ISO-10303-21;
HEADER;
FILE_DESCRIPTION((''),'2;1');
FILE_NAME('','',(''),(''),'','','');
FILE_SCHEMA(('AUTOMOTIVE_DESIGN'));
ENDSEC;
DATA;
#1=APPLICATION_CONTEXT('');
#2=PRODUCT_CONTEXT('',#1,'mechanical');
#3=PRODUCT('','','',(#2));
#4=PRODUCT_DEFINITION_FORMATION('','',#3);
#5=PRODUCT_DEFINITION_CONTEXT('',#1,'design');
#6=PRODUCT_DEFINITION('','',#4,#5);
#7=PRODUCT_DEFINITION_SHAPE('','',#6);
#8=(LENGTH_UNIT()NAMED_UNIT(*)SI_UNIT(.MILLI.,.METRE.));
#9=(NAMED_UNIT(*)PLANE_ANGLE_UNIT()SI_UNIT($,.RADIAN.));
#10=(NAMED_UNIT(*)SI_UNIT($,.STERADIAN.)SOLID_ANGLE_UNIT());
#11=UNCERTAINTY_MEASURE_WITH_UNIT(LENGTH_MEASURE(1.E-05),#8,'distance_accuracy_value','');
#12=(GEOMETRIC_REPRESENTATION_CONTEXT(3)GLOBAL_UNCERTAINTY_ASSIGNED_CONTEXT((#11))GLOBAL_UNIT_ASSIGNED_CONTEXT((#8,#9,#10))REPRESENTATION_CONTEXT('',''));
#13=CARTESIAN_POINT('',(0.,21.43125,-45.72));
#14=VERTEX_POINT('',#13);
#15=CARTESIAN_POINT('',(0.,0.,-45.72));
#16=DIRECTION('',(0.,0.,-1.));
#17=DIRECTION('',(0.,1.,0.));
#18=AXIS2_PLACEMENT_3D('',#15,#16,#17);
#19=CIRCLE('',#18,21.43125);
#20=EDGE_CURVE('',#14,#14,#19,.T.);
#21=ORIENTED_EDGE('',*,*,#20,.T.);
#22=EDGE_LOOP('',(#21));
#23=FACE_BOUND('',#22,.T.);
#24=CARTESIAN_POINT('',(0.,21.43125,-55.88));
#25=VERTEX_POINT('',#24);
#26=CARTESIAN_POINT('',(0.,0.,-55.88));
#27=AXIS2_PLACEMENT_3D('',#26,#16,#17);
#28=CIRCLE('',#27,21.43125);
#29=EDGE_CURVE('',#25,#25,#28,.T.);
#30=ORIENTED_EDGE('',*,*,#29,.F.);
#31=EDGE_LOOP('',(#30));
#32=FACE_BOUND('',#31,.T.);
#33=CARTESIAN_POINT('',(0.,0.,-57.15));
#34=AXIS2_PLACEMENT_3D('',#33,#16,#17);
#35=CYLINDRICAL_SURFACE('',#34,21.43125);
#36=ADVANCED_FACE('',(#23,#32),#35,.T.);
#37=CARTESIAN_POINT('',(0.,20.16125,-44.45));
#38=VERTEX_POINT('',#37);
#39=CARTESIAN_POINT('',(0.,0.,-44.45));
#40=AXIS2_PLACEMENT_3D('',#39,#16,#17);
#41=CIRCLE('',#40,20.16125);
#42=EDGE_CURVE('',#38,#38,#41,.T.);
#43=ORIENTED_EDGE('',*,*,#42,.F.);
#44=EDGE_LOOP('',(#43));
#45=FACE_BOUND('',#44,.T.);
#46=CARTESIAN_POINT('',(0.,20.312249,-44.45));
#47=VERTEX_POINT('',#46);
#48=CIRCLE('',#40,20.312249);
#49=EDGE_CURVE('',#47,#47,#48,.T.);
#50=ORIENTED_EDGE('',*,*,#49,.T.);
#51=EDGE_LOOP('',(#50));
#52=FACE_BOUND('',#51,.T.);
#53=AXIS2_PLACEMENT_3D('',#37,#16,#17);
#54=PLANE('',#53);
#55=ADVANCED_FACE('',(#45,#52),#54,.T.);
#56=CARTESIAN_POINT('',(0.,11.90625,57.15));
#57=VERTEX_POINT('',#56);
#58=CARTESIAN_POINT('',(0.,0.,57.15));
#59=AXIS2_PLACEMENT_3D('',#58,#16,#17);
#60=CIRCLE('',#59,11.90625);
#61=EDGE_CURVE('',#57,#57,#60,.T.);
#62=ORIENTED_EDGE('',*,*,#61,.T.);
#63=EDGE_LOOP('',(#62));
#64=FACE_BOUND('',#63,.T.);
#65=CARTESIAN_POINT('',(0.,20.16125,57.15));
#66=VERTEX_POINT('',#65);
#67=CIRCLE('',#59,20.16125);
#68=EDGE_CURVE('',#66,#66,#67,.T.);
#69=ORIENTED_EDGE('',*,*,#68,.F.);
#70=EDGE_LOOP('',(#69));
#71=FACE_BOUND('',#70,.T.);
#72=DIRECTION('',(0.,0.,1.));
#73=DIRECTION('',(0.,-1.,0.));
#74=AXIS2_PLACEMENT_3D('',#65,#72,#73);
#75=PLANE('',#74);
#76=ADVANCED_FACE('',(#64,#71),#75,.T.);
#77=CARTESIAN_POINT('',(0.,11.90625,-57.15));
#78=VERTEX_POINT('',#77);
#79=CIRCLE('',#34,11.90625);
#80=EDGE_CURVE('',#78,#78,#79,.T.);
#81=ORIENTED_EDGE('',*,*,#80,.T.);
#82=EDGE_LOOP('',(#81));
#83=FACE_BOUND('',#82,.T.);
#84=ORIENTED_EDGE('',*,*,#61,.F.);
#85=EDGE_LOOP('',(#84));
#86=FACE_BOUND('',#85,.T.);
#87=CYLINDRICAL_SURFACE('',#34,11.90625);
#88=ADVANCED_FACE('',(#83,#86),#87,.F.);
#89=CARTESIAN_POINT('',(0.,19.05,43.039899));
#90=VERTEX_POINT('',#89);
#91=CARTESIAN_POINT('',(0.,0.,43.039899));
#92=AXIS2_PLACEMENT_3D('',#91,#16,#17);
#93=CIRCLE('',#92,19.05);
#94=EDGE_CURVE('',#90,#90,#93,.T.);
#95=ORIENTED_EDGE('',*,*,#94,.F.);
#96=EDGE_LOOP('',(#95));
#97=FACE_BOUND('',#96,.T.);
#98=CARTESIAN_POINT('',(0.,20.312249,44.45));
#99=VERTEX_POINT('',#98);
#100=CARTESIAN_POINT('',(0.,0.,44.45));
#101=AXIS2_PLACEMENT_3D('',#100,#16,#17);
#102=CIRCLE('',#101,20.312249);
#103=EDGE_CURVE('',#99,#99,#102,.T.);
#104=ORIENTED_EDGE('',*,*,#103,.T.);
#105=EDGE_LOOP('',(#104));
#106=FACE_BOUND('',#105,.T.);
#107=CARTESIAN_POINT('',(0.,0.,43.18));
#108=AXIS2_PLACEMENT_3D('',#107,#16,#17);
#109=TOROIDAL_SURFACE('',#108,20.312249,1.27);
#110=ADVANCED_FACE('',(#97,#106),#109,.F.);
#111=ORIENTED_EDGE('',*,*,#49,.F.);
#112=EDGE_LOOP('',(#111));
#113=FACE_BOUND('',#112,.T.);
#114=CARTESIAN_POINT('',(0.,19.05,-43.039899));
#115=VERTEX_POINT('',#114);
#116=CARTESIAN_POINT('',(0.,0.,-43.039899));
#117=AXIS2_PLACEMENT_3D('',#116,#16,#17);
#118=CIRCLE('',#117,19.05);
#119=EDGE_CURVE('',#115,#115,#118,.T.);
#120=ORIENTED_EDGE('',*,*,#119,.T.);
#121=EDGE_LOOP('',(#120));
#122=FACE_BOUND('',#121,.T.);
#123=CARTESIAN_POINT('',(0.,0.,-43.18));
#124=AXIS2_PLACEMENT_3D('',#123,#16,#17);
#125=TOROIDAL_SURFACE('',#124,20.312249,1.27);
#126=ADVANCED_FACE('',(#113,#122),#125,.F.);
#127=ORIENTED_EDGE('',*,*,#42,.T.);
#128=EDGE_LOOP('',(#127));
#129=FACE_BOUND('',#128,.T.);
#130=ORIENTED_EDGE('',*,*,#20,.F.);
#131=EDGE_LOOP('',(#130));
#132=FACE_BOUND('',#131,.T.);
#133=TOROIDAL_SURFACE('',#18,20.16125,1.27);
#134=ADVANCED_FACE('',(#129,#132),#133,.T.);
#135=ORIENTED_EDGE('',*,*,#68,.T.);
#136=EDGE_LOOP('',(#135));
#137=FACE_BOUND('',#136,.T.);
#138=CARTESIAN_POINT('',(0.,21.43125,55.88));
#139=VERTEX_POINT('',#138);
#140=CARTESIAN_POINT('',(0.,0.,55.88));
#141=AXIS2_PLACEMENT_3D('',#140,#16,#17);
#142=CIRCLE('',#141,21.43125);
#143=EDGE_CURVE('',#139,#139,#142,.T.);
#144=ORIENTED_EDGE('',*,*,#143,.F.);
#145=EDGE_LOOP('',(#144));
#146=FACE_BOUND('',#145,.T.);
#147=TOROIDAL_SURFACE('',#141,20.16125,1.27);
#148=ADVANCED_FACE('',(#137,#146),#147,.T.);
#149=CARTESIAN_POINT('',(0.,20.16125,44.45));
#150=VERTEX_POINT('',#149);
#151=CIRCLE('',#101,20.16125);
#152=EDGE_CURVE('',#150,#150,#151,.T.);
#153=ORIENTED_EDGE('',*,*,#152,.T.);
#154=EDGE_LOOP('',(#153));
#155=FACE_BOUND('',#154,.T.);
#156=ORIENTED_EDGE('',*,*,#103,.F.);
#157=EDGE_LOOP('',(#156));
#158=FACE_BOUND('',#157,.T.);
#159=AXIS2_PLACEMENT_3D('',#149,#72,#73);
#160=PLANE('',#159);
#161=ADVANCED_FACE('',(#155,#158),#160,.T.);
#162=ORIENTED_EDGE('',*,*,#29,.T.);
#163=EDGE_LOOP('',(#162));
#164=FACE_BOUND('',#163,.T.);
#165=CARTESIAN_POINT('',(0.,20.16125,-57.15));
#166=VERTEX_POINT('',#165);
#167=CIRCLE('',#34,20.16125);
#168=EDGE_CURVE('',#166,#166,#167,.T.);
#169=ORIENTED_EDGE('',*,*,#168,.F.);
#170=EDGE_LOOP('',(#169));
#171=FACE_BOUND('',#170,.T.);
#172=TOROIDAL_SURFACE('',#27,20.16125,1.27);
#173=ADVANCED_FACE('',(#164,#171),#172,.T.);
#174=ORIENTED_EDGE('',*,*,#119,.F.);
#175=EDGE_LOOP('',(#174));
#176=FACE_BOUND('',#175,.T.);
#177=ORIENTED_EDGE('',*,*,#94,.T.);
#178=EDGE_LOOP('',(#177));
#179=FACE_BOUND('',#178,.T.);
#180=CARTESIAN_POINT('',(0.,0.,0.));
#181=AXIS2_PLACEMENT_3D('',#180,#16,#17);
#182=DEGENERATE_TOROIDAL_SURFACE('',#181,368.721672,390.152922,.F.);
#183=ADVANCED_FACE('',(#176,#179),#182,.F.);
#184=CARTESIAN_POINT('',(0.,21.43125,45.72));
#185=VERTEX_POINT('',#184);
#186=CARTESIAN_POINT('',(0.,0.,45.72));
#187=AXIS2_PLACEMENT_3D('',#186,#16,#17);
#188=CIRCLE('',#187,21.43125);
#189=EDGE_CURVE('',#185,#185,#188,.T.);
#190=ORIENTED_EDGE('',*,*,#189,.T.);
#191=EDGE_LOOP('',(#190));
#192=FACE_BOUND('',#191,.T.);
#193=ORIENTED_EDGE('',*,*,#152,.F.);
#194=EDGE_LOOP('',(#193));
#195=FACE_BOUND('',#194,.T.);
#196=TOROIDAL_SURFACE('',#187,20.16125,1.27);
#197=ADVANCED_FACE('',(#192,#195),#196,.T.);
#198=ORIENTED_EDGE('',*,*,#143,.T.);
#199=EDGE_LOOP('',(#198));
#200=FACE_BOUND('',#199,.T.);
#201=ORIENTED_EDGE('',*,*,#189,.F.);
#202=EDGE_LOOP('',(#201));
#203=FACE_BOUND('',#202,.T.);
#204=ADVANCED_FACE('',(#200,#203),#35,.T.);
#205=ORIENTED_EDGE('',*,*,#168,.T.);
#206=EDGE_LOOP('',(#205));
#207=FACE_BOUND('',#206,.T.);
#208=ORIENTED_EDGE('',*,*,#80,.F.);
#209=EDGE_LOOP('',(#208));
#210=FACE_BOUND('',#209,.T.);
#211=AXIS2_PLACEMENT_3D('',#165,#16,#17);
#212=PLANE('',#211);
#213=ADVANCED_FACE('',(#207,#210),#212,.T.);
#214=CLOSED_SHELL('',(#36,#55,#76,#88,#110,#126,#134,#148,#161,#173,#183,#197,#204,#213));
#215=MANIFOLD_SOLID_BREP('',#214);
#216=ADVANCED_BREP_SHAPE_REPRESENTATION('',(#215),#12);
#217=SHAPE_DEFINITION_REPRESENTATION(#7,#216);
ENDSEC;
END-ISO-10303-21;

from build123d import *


with BuildPart() as part:
    # Sketch2 → Revolve1 (revolve)
    with BuildSketch(Plane(origin=(0, 0, 0), x_dir=(0, 0, -1), z_dir=(1, 0, 0))):
        with BuildLine():
            Line((-57.15, 20.16125), (-57.15, 11.90625))
            Line((-57.15, 11.90625), (57.15, 11.90625))
            Line((57.15, 11.90625), (57.15, 20.16125))
            ThreePointArc((57.15, 20.16125), (56.778025612, 21.059275612), (55.88, 21.43125))
            Line((55.88, 21.43125), (45.72, 21.43125))
            ThreePointArc((45.72, 21.43125), (44.821974388, 21.059275612), (44.45, 20.16125))
            Line((44.45, 20.16125), (44.45, 20.312248712))
            ThreePointArc((44.45, 20.312248712), (44.02704551, 19.365985587), (43.039899365, 19.05))
            ThreePointArc((43.039899365, 19.05), (0, 21.43125), (-43.039899365, 19.05))
            ThreePointArc((-43.039899365, 19.05), (-44.02704551, 19.365985587), (-44.45, 20.312248712))
            Line((-44.45, 20.312248712), (-44.45, 20.16125))
            ThreePointArc((-44.45, 20.16125), (-44.821974388, 21.059275612), (-45.72, 21.43125))
            Line((-45.72, 21.43125), (-55.88, 21.43125))
            ThreePointArc((-55.88, 21.43125), (-56.778025612, 21.059275612), (-57.15, 20.16125))
        make_face()
    revolve(axis=Axis((0, 0, -57.15), (0, 0, 1)))


solid = part.part
